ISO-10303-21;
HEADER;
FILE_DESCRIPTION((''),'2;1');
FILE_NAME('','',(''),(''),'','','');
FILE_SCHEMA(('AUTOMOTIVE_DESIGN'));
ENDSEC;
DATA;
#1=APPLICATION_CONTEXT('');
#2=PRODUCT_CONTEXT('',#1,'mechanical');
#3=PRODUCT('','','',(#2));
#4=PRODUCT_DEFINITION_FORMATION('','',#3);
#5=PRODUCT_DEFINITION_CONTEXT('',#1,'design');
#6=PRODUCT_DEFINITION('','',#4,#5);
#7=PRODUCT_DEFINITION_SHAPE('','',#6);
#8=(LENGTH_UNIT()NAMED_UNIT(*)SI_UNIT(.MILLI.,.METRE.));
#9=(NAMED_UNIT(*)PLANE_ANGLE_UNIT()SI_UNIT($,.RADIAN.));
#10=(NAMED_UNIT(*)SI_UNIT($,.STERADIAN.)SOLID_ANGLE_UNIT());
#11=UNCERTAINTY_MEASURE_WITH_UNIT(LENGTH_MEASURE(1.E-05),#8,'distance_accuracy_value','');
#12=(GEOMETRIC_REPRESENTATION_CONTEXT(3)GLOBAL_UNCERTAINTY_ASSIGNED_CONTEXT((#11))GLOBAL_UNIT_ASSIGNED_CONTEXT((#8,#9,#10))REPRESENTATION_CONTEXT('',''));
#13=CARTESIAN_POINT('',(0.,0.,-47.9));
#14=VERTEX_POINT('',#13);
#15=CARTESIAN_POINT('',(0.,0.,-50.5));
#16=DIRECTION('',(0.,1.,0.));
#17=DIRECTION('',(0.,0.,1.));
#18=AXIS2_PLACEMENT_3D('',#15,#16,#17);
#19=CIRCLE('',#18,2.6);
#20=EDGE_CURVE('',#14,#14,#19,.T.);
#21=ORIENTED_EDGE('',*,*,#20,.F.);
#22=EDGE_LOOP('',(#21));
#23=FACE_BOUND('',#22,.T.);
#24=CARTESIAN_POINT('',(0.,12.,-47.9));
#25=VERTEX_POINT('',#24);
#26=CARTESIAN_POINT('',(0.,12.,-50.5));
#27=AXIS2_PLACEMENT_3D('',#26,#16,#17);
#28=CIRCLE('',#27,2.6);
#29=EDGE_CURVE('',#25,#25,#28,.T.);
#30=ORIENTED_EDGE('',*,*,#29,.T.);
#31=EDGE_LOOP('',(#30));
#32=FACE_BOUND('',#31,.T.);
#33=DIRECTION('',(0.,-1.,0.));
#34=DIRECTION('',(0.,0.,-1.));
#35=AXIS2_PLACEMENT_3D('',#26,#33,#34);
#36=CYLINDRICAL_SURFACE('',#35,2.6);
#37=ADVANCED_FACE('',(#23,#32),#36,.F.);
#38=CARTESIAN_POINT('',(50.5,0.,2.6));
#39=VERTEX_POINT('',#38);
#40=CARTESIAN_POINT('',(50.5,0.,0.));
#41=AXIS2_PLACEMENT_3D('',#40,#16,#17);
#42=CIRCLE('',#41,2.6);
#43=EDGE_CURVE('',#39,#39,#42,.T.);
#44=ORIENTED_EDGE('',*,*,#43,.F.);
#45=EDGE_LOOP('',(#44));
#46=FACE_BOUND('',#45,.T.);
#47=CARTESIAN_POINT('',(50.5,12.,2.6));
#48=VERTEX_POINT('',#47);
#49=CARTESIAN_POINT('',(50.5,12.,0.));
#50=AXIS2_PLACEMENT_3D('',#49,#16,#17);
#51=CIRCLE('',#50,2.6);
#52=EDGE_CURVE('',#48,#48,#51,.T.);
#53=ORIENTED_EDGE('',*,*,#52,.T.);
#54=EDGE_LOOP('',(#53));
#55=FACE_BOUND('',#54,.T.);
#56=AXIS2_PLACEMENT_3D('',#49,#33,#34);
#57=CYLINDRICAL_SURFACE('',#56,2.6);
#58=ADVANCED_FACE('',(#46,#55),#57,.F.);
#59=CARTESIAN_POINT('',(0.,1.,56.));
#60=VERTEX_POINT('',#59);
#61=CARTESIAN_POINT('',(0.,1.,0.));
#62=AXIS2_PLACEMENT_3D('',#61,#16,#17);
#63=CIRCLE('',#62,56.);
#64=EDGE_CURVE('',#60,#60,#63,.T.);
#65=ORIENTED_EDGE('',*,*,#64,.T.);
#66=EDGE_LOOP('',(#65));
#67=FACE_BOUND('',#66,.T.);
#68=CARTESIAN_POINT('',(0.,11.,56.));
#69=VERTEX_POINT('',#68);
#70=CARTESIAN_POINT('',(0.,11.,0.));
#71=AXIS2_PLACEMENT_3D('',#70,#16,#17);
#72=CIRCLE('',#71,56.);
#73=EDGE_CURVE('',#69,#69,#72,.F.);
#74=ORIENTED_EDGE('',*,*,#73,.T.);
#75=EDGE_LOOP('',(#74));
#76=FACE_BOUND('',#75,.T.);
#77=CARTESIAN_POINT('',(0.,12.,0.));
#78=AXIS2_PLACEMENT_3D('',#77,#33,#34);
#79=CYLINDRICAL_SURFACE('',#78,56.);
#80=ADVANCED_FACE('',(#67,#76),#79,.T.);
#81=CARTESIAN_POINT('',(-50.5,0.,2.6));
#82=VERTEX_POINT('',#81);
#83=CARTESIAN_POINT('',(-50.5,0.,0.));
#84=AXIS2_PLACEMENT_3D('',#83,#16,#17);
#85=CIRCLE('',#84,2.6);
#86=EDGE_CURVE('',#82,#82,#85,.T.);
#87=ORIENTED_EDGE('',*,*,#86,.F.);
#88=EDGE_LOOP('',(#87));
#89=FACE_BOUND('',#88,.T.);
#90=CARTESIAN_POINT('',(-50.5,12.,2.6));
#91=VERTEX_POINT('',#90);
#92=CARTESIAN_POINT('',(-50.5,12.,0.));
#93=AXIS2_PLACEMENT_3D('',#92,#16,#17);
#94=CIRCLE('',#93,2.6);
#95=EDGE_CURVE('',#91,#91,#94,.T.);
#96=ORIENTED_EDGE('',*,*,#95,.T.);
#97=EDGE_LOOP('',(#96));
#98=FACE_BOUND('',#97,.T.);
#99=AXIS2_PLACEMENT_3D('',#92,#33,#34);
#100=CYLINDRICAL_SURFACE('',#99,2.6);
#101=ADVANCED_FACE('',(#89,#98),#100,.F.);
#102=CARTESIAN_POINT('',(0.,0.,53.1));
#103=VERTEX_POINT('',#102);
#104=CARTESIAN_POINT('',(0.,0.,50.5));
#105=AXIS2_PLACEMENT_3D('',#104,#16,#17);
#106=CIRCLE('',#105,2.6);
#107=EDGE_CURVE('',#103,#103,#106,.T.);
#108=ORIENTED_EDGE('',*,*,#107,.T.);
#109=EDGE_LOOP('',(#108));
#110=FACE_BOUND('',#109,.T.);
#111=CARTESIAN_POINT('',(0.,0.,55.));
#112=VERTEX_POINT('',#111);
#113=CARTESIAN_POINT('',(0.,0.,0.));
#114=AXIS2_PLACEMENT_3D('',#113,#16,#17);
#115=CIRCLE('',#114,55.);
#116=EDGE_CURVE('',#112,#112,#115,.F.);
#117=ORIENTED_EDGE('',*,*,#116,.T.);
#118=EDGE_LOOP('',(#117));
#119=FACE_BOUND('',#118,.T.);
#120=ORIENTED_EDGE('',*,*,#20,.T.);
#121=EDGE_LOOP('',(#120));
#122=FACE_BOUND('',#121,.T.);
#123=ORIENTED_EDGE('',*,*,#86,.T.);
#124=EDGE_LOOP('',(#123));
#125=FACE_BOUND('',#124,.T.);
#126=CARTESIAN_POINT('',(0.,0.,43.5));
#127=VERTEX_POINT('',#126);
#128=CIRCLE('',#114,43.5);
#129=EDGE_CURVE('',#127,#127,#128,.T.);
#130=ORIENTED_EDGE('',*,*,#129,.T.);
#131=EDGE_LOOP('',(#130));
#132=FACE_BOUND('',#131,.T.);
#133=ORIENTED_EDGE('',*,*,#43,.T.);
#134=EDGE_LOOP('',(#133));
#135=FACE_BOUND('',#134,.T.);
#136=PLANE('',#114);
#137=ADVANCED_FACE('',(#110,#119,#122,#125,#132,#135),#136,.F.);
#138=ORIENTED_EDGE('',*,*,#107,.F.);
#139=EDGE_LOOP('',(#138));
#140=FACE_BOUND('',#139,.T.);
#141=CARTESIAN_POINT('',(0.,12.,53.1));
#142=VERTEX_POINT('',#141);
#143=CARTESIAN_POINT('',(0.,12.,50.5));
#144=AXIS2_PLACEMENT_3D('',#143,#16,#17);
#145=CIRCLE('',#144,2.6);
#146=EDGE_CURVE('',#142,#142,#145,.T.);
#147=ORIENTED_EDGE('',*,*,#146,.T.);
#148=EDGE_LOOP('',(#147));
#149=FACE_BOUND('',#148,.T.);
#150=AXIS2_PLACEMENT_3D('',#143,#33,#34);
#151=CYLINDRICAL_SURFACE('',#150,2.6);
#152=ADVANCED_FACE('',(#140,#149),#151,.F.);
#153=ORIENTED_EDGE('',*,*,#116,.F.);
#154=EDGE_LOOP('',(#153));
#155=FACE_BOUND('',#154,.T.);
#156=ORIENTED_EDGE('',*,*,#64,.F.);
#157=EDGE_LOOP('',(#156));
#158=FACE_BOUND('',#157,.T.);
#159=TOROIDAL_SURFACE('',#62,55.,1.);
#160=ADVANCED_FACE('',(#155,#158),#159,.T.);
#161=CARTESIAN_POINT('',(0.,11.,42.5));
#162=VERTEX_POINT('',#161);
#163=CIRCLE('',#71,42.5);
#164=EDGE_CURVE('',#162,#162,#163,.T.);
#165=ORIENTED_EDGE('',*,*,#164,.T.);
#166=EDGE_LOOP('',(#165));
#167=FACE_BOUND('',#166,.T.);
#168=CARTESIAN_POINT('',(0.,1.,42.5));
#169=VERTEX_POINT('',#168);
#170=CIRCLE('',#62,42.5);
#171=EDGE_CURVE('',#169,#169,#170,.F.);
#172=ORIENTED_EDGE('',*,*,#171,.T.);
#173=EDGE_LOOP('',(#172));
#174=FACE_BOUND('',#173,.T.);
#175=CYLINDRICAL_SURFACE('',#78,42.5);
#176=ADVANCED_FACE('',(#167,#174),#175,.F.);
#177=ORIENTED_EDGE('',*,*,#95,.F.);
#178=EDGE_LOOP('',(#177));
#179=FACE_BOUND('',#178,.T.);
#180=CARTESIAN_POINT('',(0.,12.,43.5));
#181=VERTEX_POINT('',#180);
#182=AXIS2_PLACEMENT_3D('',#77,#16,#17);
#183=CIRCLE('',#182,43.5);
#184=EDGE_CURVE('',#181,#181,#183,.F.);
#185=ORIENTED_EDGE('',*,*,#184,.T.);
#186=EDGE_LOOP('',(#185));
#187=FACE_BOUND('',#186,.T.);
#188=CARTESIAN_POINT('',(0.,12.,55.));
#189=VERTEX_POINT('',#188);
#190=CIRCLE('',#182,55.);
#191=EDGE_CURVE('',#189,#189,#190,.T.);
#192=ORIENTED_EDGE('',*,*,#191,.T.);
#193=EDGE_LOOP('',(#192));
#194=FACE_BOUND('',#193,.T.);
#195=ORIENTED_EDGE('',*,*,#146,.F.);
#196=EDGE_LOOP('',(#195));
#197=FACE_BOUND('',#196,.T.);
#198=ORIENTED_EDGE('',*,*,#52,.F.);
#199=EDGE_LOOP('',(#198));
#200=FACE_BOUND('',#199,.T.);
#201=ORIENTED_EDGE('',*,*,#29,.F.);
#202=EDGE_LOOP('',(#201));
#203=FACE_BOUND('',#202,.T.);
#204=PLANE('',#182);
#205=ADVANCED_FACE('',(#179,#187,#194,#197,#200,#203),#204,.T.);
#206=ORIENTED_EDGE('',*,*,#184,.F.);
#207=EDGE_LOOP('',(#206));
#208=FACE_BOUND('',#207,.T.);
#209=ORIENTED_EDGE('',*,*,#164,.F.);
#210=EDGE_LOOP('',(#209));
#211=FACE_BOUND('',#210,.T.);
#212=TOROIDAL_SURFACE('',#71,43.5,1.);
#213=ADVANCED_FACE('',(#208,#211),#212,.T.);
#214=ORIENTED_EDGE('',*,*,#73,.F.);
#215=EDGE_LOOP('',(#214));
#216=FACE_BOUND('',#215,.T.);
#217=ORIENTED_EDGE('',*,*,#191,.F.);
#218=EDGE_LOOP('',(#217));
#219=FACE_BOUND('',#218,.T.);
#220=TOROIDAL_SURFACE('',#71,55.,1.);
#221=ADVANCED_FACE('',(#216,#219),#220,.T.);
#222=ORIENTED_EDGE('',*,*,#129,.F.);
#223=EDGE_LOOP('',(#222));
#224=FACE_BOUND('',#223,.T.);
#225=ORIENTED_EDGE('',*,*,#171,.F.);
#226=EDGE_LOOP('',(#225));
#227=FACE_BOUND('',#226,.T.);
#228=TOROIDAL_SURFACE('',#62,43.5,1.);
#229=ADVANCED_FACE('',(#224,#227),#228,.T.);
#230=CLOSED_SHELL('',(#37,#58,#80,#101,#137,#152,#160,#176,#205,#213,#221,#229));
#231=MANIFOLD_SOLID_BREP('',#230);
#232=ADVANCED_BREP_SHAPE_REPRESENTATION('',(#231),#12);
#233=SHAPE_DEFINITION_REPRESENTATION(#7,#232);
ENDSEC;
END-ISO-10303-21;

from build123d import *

# Parameters (mm, degrees)
SKETCH_3_R      = 56
SKETCH_3_R_2    = 42.5
SKETCH_3_R_3    = 2.6
EXTRUDE_1_DEPTH = 12
FILLET_1_R      = 1


with BuildPart() as part:
    # 草图3 → 凸台-拉伸1 (new body)
    with BuildSketch(Plane(origin=(0, 0, 0), x_dir=(1, 0, 0), z_dir=(0, 1, 0))):
        with Locations(Location((0, 0, 0), (0, 0, 270))):
            Circle(SKETCH_3_R)
        with Locations(Location((0, 0, 0), (0, 0, 270))):
            Circle(SKETCH_3_R_2, mode=Mode.SUBTRACT)
        with Locations(Location((50.5, 0, 0), (0, 0, 270))):
            Circle(SKETCH_3_R_3, mode=Mode.SUBTRACT)
        with Locations(Location((0, -50.5, 0), (0, 0, 270))):
            Circle(SKETCH_3_R_3, mode=Mode.SUBTRACT)
        with Locations(Location((-50.5, 0, 0), (0, 0, 270))):
            Circle(SKETCH_3_R_3, mode=Mode.SUBTRACT)
        with Locations(Location((0, 50.5, 0), (0, 0, 270))):
            Circle(SKETCH_3_R_3, mode=Mode.SUBTRACT)
    extrude(amount=EXTRUDE_1_DEPTH)

    # 圆角1
    fillet_1_edges = [part.edges().sort_by_distance(p)[0] for p in [
        (0, 0, -56),
        (0, 12, -56),
        (0, 0, -42.5),
        (0, 12, -42.5),
    ]]
    fillet(fillet_1_edges, radius=FILLET_1_R)


solid = part.part
